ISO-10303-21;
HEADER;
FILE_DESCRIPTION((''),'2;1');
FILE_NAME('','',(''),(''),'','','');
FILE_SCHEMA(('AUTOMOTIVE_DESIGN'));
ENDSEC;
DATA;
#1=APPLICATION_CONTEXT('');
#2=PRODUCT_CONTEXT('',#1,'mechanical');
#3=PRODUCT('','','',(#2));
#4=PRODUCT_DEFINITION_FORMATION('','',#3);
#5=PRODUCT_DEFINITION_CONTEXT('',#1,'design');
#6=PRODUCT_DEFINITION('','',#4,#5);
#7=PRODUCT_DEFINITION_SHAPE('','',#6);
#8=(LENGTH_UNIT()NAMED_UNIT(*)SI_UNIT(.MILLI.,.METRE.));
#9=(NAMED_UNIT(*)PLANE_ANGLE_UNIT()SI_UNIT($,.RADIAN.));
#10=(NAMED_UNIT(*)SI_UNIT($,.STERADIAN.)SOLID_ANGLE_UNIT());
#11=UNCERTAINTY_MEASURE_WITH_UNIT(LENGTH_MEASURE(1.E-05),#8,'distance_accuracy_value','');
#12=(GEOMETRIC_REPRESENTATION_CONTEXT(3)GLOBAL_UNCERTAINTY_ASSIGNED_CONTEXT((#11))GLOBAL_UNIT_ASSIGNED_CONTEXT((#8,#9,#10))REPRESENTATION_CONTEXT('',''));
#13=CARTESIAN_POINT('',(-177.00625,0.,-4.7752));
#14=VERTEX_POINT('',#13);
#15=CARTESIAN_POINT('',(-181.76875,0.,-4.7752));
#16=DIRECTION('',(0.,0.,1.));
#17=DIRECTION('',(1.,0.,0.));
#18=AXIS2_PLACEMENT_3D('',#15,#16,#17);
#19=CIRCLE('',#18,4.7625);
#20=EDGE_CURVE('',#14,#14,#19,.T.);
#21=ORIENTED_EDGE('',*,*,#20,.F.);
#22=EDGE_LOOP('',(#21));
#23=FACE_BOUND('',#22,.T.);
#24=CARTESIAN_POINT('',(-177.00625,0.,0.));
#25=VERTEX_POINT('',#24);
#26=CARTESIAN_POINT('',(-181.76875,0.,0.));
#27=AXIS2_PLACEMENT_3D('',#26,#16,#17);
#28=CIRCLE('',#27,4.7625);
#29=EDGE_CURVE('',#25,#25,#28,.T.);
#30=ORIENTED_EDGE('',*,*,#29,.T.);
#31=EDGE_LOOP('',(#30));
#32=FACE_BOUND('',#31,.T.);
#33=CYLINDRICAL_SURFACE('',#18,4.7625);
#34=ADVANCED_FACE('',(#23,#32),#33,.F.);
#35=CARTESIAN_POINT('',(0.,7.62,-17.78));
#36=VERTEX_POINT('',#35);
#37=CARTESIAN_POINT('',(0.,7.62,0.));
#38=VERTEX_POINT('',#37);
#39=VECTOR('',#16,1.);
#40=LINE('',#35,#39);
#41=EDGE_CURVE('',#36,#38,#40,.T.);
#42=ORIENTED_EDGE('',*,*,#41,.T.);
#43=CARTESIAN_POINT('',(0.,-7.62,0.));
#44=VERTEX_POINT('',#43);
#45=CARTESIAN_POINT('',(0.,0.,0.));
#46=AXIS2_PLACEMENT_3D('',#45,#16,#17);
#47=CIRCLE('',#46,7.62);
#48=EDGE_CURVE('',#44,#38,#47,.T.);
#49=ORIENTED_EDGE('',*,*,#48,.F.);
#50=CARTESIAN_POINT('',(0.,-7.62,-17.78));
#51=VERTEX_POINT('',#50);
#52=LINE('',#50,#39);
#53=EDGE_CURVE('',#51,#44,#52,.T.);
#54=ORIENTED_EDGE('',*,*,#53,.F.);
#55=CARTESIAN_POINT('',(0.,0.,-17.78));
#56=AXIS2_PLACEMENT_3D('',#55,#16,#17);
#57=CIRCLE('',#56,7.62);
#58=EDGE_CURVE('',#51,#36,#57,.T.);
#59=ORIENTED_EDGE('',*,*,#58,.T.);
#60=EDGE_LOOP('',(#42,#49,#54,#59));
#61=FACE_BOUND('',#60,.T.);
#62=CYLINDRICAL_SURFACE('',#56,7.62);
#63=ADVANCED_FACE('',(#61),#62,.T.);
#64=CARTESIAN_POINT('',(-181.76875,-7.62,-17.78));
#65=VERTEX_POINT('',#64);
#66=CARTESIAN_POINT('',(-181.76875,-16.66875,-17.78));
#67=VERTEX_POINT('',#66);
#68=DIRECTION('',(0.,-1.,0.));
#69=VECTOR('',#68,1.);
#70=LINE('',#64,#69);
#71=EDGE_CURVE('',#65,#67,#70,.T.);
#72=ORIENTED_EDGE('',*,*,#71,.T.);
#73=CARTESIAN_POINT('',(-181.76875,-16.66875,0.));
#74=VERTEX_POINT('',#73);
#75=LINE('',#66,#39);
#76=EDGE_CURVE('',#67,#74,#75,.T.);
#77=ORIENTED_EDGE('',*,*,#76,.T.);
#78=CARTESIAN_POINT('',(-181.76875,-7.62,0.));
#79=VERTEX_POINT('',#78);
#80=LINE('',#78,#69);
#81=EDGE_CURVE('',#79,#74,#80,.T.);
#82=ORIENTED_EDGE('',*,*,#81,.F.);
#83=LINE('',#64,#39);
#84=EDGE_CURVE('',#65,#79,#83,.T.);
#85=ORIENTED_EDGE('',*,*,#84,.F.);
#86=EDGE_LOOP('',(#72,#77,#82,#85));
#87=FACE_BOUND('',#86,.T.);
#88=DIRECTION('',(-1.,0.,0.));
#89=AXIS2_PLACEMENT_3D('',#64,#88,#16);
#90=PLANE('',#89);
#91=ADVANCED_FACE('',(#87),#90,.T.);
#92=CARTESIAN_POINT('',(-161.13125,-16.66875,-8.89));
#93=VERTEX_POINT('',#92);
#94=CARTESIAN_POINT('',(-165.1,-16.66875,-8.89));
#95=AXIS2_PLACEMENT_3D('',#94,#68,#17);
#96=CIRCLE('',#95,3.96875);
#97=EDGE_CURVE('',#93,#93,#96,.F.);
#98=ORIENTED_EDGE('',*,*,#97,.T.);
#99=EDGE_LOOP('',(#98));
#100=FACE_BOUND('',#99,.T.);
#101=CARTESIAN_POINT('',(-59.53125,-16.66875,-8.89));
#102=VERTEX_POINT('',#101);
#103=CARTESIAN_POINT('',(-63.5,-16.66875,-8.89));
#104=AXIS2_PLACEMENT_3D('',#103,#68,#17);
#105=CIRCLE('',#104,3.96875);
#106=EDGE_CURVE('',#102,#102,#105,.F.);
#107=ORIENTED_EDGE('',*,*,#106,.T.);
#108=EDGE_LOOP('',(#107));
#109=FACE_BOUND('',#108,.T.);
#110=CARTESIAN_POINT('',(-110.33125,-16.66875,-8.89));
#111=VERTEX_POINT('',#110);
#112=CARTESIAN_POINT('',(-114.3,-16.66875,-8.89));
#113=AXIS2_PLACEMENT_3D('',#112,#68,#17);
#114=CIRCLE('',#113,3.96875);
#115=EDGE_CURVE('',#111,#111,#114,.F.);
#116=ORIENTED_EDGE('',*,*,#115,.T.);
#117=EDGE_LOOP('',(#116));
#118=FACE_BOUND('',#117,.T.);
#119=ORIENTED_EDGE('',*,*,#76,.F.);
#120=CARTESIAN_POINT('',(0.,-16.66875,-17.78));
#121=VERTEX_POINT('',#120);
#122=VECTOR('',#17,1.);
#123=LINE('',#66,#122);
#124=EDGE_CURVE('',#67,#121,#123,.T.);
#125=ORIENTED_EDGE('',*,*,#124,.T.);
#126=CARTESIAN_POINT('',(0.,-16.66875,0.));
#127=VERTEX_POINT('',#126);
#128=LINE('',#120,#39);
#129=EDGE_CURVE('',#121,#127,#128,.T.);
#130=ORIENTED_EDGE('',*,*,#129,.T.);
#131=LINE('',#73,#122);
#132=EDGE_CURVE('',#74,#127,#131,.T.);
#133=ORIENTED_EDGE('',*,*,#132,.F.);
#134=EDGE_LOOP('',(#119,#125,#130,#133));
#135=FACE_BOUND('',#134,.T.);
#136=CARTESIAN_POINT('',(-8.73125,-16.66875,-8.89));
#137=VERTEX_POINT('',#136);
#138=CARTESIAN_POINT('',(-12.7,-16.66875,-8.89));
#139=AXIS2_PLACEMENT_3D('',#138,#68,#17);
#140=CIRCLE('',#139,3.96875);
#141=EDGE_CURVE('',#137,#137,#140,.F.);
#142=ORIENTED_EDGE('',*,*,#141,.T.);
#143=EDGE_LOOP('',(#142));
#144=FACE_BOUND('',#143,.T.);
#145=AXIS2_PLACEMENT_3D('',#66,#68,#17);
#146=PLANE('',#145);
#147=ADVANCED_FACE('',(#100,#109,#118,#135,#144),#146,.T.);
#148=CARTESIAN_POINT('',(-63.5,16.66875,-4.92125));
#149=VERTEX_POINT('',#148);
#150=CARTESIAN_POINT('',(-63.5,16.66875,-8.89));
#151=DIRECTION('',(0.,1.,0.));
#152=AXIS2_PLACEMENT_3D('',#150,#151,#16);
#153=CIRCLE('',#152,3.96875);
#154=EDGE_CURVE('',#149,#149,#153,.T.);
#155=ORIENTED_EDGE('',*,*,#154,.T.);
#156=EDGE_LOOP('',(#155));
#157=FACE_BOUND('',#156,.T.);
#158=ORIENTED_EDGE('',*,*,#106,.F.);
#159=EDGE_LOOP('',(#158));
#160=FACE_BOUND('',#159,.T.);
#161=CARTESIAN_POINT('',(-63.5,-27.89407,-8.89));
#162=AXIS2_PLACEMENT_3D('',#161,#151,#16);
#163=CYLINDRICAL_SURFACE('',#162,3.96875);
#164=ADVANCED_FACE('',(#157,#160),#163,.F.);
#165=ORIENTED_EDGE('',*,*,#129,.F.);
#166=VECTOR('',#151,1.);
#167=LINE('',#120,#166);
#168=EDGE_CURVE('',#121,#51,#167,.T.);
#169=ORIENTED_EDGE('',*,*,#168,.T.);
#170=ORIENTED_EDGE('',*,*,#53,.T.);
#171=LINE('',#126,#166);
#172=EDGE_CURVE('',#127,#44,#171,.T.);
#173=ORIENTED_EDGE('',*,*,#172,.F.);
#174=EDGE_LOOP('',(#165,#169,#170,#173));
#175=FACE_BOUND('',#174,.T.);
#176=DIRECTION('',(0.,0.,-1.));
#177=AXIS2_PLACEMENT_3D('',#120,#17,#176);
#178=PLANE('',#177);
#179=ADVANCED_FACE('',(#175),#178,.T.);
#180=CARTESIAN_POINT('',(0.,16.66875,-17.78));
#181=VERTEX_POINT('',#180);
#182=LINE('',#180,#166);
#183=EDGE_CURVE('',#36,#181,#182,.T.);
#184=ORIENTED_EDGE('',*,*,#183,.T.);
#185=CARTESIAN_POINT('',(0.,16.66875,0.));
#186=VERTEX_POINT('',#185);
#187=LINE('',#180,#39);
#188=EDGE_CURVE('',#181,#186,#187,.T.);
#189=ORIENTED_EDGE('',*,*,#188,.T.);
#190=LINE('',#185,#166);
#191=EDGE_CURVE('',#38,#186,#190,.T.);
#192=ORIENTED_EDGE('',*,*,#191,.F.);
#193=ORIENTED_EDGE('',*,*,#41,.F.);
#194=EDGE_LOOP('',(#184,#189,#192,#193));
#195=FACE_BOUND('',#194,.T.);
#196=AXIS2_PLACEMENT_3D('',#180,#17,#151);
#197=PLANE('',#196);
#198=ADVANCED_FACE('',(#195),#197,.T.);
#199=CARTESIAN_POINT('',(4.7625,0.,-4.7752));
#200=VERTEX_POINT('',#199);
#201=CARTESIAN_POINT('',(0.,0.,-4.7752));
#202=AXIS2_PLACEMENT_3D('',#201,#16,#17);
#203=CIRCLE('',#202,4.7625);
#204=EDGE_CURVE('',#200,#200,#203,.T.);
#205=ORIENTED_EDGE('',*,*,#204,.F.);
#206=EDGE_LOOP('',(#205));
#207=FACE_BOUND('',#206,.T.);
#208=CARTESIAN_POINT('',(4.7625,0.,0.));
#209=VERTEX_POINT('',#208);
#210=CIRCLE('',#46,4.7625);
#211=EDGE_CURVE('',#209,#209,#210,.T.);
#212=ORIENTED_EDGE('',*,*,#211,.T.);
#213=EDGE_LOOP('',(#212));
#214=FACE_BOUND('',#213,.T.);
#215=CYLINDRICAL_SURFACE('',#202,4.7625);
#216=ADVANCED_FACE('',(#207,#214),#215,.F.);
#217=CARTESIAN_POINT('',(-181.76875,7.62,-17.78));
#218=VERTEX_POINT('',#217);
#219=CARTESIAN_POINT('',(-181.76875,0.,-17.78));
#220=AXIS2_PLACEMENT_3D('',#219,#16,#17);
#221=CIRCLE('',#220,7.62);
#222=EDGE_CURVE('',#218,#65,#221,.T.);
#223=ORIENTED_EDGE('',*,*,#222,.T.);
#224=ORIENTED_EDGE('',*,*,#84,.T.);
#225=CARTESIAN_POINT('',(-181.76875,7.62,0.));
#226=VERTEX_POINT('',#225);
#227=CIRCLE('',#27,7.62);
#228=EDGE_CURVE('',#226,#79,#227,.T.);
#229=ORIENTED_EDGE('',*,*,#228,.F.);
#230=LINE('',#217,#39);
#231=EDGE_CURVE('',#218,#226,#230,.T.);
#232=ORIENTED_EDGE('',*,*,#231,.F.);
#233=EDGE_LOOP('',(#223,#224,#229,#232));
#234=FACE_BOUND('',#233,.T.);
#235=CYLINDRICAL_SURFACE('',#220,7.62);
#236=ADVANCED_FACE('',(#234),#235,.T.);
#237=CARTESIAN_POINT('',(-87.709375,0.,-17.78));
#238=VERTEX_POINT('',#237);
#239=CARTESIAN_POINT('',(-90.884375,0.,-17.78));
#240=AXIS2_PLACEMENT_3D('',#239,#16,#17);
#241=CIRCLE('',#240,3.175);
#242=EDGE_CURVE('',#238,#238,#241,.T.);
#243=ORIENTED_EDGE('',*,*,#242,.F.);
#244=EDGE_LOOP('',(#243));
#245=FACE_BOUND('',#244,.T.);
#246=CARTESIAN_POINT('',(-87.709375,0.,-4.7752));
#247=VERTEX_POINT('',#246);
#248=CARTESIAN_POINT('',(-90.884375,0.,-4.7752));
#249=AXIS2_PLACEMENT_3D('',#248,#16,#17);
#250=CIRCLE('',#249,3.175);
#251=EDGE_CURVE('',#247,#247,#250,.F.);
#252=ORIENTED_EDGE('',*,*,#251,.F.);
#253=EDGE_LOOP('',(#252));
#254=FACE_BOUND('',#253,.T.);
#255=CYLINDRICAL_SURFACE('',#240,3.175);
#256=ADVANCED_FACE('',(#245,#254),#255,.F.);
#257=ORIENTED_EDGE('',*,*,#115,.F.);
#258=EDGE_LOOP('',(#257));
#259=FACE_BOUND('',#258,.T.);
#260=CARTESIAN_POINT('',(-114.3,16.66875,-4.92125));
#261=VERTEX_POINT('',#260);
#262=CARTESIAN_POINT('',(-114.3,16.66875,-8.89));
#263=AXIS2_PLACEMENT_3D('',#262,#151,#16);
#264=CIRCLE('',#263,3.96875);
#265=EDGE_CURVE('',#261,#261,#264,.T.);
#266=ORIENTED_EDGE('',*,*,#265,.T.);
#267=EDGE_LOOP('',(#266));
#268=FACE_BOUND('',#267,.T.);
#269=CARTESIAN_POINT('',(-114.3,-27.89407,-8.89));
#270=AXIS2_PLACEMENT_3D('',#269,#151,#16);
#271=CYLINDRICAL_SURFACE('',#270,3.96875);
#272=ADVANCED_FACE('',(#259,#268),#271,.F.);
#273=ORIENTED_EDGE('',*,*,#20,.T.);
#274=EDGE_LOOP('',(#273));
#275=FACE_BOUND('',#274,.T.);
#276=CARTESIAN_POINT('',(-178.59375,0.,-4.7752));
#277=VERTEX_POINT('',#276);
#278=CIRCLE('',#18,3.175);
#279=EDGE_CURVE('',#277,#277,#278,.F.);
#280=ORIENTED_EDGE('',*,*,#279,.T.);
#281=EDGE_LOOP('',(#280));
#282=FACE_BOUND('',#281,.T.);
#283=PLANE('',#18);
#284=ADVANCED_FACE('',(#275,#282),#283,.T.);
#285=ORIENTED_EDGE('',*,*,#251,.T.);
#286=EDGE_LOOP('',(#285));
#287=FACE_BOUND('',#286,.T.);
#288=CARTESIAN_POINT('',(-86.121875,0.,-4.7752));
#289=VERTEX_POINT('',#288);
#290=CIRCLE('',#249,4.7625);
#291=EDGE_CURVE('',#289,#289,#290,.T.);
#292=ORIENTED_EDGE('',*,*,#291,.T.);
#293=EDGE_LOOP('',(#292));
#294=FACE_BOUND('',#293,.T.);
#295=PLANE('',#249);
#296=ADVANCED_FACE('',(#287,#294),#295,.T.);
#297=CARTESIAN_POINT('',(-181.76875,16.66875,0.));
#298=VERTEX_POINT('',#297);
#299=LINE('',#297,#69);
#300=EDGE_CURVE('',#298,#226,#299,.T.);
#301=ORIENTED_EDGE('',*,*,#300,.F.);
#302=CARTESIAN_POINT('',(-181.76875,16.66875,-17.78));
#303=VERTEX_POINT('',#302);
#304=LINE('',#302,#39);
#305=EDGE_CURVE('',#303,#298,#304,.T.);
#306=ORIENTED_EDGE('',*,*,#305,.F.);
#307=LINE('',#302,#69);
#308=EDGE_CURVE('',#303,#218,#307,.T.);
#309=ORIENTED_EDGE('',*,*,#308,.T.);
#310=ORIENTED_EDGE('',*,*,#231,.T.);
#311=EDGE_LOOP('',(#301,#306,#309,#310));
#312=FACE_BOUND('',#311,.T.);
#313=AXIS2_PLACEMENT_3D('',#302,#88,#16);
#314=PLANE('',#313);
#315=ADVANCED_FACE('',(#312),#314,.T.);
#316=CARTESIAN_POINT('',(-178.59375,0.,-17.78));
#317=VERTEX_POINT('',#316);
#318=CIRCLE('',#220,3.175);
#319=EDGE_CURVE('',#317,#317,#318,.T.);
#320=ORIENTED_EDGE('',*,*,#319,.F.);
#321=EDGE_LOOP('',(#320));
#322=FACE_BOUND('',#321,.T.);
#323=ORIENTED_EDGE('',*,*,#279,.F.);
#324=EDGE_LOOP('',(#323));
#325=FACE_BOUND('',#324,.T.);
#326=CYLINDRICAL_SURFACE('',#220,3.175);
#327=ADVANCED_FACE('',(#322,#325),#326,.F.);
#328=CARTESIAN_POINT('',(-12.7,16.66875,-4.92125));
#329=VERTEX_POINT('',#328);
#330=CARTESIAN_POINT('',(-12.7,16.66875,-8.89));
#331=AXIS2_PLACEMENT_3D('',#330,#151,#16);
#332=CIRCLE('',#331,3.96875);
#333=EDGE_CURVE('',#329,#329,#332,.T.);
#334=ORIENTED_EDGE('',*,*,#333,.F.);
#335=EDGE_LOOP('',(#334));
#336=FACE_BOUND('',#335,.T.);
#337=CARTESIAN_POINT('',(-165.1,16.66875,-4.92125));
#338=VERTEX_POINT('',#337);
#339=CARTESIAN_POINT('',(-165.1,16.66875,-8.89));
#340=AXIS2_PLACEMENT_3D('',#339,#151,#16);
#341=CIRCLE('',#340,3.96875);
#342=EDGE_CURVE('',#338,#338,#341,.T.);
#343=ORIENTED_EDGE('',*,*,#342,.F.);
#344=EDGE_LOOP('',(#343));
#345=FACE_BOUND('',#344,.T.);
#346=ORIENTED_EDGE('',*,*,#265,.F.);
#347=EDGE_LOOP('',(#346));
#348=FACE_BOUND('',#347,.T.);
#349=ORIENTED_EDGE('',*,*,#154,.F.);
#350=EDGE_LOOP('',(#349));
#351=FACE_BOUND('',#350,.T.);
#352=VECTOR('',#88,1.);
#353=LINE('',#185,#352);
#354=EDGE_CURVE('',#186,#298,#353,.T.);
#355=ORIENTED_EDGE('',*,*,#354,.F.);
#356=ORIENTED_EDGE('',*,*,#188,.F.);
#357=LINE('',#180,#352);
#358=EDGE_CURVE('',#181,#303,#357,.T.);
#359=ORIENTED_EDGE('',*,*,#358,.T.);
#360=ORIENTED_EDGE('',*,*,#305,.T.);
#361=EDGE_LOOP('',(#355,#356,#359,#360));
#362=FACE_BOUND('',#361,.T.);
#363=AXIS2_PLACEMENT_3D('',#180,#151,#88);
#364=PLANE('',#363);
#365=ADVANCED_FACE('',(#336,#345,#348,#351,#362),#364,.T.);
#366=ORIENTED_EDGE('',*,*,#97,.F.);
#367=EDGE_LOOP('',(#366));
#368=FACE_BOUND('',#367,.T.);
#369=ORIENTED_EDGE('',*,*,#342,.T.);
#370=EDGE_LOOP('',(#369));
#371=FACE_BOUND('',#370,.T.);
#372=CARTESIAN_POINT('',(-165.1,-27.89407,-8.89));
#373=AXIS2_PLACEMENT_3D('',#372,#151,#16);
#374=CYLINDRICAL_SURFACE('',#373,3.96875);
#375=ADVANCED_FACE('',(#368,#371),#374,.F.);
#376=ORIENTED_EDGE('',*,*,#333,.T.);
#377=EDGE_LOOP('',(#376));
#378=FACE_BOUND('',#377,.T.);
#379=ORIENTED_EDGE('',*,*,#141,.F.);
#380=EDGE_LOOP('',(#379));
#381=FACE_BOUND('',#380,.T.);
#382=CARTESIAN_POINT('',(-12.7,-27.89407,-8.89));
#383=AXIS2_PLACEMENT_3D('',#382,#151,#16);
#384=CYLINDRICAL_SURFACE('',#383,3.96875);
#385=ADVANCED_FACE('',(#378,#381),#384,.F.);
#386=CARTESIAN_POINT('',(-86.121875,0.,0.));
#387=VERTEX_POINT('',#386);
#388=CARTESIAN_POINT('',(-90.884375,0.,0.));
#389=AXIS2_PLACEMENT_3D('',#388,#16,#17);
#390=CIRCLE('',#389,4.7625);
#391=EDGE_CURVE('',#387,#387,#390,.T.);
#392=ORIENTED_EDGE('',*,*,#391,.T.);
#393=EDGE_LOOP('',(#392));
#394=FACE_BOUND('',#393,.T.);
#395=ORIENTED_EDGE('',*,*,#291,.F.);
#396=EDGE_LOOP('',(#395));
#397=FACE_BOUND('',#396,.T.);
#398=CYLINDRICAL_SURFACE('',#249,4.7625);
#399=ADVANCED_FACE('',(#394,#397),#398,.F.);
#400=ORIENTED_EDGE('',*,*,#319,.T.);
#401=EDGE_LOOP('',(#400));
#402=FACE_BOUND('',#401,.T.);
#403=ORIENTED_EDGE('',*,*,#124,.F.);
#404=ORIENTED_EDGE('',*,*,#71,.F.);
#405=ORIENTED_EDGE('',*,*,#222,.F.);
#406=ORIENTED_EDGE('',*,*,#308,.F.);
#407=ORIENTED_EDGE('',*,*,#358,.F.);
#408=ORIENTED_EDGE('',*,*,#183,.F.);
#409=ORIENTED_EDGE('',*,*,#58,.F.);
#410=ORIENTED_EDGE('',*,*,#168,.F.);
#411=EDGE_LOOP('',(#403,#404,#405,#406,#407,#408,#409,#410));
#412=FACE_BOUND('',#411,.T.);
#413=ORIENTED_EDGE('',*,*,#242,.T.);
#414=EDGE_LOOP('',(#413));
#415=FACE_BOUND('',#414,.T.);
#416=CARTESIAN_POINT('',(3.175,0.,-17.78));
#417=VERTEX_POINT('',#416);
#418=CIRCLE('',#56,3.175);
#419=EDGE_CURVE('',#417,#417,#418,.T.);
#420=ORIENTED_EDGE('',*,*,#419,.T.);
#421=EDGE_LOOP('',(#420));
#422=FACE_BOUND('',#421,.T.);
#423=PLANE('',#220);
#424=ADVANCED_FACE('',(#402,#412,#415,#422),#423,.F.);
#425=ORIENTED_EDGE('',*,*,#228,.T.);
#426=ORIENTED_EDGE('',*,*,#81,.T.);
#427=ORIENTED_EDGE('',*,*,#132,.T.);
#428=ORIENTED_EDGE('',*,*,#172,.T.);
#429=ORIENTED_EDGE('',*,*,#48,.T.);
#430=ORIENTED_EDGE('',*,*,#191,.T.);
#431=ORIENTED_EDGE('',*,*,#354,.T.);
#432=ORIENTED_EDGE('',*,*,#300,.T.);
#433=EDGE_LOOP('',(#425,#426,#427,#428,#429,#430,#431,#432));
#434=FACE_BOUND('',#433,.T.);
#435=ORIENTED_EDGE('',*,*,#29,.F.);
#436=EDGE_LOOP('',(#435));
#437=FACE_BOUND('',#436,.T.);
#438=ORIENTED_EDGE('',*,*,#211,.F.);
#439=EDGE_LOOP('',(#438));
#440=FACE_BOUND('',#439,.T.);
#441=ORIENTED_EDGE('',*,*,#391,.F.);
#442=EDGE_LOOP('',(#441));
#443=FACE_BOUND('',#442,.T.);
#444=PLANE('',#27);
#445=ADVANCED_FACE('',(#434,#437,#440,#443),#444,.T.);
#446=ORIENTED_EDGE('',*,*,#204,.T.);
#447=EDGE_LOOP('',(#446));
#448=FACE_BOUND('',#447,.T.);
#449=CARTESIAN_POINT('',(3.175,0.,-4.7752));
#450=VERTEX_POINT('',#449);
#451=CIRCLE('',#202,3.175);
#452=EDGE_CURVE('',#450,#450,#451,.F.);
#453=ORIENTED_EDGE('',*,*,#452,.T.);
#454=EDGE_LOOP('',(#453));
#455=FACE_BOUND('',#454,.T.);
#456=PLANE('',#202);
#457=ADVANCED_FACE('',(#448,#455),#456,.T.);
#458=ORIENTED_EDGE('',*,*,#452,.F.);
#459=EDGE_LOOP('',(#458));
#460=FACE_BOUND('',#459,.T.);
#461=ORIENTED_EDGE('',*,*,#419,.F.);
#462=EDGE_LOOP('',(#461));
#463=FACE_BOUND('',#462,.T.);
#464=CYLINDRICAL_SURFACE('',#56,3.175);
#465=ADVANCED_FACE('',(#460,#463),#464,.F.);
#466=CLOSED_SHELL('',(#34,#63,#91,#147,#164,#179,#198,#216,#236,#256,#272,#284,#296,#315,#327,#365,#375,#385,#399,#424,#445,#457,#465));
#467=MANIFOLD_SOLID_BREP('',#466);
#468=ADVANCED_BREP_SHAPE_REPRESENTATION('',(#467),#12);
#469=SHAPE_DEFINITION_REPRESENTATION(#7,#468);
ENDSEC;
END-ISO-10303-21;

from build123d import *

# Parameters (mm, degrees)
SKETCH1_R           = 3.175
BOSS_EXTRUDE1_DEPTH = 17.78
SKETCH2_R           = 3.96875
CUT_EXTRUDE1_DEPTH  = 33.3375
SKETCH3_R           = 4.7625
CUT_EXTRUDE2_DEPTH  = 4.7752


with BuildPart() as part:
    # Sketch1 → Boss-Extrude1 (new body)
    with BuildSketch(Plane.XY):
        with BuildLine():
            Line((0, 16.66875), (0, 7.62))
            ThreePointArc((0, 7.62), (7.62, 0), (0, -7.62))
            Line((0, -7.62), (0, -16.66875))
            Line((0, -16.66875), (-181.76875, -16.66875))
            Line((-181.76875, -16.66875), (-181.76875, -7.62))
            ThreePointArc((-181.76875, -7.62), (-189.38875, 0), (-181.76875, 7.62))
            Line((-181.76875, 7.62), (-181.76875, 16.66875))
            Line((-181.76875, 16.66875), (0, 16.66875))
        make_face()
        Circle(SKETCH1_R, mode=Mode.SUBTRACT)
        with Locations((-181.76875, 0)):
            Circle(SKETCH1_R, mode=Mode.SUBTRACT)
        with Locations((-90.884375, 0)):
            Circle(SKETCH1_R, mode=Mode.SUBTRACT)
    extrude(amount=-BOSS_EXTRUDE1_DEPTH)

    # Sketch2 → Cut-Extrude1 (cut)
    with BuildSketch(Plane(origin=(0, 16.66875, 0), x_dir=(1, 0, 0), z_dir=(0, 1, 0))):
        with Locations(Location((-12.7, 8.89, 0), (0, 0, 270))):
            Circle(SKETCH2_R)
        with Locations(Location((-63.5, 8.89, 0), (0, 0, 270))):
            Circle(SKETCH2_R)
        with Locations(Location((-114.3, 8.89, 0), (0, 0, 270))):
            Circle(SKETCH2_R)
        with Locations(Location((-165.1, 8.89, 0), (0, 0, 270))):
            Circle(SKETCH2_R)
    extrude(amount=-CUT_EXTRUDE1_DEPTH, mode=Mode.SUBTRACT)

    # Sketch3 → Cut-Extrude2 (cut)
    with BuildSketch(Plane.XY):
        Circle(SKETCH3_R)
        with Locations((-90.884375, 0)):
            Circle(SKETCH3_R)
        with Locations((-181.76875, 0)):
            Circle(SKETCH3_R)
    extrude(amount=-CUT_EXTRUDE2_DEPTH, mode=Mode.SUBTRACT)


solid = part.part
